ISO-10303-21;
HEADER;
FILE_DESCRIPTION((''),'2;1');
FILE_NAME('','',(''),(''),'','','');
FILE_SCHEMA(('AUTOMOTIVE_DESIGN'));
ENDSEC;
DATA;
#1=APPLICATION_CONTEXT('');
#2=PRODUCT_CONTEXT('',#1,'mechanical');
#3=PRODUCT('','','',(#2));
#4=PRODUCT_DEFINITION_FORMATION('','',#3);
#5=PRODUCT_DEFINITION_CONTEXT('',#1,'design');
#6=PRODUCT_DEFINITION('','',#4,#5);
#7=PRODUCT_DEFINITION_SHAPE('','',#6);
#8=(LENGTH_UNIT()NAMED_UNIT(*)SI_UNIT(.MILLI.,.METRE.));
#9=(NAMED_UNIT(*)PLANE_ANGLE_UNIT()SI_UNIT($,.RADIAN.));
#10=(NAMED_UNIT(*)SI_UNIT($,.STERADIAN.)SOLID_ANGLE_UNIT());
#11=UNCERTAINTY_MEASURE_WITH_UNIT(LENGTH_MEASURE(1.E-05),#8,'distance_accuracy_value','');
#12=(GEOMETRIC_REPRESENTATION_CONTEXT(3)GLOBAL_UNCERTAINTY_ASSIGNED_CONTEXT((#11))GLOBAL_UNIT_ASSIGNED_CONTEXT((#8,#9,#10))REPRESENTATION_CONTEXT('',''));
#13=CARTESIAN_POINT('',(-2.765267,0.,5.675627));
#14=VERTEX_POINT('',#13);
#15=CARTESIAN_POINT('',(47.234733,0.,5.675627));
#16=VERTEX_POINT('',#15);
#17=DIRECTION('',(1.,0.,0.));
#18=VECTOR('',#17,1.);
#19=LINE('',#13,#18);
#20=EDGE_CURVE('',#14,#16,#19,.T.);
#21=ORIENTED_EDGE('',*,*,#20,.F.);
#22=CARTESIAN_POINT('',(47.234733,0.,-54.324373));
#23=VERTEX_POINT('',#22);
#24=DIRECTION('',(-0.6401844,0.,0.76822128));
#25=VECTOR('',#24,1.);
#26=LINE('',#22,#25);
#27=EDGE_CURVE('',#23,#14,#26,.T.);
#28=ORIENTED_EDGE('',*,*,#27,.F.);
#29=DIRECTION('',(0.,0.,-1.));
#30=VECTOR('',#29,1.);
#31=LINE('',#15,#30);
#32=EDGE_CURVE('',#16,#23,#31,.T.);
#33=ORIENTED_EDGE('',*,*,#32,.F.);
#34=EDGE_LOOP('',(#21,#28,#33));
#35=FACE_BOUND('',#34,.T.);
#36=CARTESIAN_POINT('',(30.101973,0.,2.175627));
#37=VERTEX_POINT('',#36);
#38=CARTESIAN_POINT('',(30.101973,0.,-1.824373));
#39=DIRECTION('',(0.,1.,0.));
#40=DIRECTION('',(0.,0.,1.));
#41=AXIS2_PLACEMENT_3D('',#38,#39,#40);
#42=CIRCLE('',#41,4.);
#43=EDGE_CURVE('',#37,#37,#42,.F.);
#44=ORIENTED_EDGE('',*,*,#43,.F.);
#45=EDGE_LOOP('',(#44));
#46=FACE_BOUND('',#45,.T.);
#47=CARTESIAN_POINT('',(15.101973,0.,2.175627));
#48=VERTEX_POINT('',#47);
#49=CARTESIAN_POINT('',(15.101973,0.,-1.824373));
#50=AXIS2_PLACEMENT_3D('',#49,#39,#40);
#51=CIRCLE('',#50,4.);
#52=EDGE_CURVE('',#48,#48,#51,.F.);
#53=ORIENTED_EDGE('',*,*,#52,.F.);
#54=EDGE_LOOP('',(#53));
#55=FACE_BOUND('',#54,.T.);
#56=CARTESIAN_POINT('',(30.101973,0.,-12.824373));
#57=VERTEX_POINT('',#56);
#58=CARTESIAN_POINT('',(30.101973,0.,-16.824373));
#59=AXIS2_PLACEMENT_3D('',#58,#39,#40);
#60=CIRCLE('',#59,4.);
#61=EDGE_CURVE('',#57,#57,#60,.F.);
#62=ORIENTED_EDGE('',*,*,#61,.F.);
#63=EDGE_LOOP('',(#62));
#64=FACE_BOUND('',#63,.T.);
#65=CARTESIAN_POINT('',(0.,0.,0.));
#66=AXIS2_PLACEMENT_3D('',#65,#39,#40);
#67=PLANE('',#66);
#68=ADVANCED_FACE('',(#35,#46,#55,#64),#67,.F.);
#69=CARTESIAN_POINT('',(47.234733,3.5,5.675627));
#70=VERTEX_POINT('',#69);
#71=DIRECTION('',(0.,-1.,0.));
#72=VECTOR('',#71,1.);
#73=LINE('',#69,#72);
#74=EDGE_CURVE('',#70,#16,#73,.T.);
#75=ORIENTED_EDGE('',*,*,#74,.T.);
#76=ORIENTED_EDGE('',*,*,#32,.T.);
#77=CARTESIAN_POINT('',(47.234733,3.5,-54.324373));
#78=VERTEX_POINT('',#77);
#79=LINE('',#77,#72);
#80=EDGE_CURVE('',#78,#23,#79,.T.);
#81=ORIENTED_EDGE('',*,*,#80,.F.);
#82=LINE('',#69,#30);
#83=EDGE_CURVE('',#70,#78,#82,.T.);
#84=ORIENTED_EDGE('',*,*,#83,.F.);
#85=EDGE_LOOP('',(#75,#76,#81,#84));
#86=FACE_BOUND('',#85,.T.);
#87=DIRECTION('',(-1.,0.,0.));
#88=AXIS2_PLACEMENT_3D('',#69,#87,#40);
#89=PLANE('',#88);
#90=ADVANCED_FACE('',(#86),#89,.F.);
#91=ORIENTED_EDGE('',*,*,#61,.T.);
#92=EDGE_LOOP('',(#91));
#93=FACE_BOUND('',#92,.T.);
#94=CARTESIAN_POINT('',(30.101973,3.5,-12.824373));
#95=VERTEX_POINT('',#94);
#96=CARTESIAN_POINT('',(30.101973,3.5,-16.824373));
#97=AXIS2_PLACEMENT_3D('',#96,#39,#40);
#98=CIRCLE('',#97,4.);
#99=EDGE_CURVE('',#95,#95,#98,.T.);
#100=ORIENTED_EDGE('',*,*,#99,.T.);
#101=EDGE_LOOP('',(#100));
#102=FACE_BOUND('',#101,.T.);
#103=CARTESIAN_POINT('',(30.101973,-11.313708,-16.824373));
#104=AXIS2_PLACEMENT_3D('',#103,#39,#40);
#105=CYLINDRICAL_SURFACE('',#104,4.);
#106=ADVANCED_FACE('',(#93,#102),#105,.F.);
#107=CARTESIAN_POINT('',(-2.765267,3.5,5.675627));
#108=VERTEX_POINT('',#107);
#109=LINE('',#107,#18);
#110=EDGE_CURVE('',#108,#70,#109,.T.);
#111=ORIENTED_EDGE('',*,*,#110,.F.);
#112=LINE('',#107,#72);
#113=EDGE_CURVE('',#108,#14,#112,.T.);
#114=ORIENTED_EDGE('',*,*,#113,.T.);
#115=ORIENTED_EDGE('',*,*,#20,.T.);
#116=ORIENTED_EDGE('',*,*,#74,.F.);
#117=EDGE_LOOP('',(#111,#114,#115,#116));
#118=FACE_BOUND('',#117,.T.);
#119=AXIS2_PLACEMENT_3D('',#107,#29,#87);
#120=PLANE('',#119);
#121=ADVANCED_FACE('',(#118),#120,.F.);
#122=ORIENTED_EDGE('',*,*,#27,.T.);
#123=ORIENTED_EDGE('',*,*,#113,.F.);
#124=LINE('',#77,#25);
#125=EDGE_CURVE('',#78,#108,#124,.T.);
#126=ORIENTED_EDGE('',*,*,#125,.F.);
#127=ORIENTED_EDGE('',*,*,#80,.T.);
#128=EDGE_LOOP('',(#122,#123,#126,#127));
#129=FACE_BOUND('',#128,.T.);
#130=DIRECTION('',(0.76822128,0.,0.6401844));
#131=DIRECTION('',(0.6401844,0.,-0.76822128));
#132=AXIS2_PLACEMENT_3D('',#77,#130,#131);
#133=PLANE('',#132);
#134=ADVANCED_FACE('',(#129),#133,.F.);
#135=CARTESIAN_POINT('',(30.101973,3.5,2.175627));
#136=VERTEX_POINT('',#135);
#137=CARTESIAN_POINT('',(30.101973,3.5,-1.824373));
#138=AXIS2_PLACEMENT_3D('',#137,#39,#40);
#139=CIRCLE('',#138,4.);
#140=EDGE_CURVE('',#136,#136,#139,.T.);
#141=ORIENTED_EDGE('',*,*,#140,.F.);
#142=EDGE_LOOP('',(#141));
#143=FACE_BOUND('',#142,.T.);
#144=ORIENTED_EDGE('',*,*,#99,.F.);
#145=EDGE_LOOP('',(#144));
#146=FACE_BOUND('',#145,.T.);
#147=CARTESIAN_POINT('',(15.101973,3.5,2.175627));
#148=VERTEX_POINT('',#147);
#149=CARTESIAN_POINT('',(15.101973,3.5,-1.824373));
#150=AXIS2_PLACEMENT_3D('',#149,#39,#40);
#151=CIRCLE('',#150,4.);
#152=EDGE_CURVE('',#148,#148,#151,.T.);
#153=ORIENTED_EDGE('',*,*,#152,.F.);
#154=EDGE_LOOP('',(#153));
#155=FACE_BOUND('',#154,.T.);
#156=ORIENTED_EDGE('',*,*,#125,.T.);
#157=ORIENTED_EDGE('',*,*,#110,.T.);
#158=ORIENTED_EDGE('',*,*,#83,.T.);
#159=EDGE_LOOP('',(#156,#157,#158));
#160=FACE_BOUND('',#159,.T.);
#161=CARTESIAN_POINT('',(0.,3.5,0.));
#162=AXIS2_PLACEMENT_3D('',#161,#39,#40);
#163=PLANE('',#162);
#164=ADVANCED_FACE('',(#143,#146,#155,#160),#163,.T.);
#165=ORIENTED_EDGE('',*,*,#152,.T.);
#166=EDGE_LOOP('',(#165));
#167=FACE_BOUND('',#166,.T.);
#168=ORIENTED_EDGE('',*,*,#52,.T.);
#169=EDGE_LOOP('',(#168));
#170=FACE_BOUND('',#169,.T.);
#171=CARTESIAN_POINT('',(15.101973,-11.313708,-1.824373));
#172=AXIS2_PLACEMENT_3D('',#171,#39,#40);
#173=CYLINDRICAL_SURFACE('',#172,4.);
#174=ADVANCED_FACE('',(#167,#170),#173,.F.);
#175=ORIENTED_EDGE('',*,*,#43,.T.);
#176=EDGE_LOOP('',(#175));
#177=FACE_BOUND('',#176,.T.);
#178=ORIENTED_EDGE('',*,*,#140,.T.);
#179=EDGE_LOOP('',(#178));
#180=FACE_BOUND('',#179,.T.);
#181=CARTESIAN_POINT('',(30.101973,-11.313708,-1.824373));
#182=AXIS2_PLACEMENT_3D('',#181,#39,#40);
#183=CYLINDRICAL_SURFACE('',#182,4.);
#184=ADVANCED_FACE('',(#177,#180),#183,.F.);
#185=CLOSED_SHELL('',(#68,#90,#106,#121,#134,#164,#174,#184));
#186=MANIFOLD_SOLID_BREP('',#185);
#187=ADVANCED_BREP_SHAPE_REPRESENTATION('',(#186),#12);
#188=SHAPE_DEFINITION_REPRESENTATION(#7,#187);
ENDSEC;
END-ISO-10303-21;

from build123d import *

# Parameters (mm, degrees)
BOSS_EXTRUDE1_DEPTH = 3.5
SKETCH2_R           = 4
CUT_EXTRUDE1_DEPTH  = 3.5


with BuildPart() as part:
    # Sketch1 → Boss-Extrude1 (new body)
    with BuildSketch(Plane(origin=(0, 0, 0), x_dir=(1, 0, 0), z_dir=(0, 1, 0))):
        Polygon((-2.765266864, -5.675626657), (47.234733136, -5.675626657), (47.234733136, 54.324373343), align=None)
    extrude(amount=BOSS_EXTRUDE1_DEPTH)

    # Sketch2 → Cut-Extrude1 (cut)
    with BuildSketch(Plane(origin=(0, 3.5, 0), x_dir=(1, 0, 0), z_dir=(0, 1, 0))):
        with Locations(Location((30.101973136, 1.824373343, 0), (0, 0, 270))):
            Circle(SKETCH2_R)
        with Locations(Location((15.101973136, 1.824373343, 0), (0, 0, 270))):
            Circle(SKETCH2_R)
        with Locations(Location((30.101973136, 16.824373343, 0), (0, 0, 270))):
            Circle(SKETCH2_R)
    extrude(amount=-CUT_EXTRUDE1_DEPTH, mode=Mode.SUBTRACT)


solid = part.part
